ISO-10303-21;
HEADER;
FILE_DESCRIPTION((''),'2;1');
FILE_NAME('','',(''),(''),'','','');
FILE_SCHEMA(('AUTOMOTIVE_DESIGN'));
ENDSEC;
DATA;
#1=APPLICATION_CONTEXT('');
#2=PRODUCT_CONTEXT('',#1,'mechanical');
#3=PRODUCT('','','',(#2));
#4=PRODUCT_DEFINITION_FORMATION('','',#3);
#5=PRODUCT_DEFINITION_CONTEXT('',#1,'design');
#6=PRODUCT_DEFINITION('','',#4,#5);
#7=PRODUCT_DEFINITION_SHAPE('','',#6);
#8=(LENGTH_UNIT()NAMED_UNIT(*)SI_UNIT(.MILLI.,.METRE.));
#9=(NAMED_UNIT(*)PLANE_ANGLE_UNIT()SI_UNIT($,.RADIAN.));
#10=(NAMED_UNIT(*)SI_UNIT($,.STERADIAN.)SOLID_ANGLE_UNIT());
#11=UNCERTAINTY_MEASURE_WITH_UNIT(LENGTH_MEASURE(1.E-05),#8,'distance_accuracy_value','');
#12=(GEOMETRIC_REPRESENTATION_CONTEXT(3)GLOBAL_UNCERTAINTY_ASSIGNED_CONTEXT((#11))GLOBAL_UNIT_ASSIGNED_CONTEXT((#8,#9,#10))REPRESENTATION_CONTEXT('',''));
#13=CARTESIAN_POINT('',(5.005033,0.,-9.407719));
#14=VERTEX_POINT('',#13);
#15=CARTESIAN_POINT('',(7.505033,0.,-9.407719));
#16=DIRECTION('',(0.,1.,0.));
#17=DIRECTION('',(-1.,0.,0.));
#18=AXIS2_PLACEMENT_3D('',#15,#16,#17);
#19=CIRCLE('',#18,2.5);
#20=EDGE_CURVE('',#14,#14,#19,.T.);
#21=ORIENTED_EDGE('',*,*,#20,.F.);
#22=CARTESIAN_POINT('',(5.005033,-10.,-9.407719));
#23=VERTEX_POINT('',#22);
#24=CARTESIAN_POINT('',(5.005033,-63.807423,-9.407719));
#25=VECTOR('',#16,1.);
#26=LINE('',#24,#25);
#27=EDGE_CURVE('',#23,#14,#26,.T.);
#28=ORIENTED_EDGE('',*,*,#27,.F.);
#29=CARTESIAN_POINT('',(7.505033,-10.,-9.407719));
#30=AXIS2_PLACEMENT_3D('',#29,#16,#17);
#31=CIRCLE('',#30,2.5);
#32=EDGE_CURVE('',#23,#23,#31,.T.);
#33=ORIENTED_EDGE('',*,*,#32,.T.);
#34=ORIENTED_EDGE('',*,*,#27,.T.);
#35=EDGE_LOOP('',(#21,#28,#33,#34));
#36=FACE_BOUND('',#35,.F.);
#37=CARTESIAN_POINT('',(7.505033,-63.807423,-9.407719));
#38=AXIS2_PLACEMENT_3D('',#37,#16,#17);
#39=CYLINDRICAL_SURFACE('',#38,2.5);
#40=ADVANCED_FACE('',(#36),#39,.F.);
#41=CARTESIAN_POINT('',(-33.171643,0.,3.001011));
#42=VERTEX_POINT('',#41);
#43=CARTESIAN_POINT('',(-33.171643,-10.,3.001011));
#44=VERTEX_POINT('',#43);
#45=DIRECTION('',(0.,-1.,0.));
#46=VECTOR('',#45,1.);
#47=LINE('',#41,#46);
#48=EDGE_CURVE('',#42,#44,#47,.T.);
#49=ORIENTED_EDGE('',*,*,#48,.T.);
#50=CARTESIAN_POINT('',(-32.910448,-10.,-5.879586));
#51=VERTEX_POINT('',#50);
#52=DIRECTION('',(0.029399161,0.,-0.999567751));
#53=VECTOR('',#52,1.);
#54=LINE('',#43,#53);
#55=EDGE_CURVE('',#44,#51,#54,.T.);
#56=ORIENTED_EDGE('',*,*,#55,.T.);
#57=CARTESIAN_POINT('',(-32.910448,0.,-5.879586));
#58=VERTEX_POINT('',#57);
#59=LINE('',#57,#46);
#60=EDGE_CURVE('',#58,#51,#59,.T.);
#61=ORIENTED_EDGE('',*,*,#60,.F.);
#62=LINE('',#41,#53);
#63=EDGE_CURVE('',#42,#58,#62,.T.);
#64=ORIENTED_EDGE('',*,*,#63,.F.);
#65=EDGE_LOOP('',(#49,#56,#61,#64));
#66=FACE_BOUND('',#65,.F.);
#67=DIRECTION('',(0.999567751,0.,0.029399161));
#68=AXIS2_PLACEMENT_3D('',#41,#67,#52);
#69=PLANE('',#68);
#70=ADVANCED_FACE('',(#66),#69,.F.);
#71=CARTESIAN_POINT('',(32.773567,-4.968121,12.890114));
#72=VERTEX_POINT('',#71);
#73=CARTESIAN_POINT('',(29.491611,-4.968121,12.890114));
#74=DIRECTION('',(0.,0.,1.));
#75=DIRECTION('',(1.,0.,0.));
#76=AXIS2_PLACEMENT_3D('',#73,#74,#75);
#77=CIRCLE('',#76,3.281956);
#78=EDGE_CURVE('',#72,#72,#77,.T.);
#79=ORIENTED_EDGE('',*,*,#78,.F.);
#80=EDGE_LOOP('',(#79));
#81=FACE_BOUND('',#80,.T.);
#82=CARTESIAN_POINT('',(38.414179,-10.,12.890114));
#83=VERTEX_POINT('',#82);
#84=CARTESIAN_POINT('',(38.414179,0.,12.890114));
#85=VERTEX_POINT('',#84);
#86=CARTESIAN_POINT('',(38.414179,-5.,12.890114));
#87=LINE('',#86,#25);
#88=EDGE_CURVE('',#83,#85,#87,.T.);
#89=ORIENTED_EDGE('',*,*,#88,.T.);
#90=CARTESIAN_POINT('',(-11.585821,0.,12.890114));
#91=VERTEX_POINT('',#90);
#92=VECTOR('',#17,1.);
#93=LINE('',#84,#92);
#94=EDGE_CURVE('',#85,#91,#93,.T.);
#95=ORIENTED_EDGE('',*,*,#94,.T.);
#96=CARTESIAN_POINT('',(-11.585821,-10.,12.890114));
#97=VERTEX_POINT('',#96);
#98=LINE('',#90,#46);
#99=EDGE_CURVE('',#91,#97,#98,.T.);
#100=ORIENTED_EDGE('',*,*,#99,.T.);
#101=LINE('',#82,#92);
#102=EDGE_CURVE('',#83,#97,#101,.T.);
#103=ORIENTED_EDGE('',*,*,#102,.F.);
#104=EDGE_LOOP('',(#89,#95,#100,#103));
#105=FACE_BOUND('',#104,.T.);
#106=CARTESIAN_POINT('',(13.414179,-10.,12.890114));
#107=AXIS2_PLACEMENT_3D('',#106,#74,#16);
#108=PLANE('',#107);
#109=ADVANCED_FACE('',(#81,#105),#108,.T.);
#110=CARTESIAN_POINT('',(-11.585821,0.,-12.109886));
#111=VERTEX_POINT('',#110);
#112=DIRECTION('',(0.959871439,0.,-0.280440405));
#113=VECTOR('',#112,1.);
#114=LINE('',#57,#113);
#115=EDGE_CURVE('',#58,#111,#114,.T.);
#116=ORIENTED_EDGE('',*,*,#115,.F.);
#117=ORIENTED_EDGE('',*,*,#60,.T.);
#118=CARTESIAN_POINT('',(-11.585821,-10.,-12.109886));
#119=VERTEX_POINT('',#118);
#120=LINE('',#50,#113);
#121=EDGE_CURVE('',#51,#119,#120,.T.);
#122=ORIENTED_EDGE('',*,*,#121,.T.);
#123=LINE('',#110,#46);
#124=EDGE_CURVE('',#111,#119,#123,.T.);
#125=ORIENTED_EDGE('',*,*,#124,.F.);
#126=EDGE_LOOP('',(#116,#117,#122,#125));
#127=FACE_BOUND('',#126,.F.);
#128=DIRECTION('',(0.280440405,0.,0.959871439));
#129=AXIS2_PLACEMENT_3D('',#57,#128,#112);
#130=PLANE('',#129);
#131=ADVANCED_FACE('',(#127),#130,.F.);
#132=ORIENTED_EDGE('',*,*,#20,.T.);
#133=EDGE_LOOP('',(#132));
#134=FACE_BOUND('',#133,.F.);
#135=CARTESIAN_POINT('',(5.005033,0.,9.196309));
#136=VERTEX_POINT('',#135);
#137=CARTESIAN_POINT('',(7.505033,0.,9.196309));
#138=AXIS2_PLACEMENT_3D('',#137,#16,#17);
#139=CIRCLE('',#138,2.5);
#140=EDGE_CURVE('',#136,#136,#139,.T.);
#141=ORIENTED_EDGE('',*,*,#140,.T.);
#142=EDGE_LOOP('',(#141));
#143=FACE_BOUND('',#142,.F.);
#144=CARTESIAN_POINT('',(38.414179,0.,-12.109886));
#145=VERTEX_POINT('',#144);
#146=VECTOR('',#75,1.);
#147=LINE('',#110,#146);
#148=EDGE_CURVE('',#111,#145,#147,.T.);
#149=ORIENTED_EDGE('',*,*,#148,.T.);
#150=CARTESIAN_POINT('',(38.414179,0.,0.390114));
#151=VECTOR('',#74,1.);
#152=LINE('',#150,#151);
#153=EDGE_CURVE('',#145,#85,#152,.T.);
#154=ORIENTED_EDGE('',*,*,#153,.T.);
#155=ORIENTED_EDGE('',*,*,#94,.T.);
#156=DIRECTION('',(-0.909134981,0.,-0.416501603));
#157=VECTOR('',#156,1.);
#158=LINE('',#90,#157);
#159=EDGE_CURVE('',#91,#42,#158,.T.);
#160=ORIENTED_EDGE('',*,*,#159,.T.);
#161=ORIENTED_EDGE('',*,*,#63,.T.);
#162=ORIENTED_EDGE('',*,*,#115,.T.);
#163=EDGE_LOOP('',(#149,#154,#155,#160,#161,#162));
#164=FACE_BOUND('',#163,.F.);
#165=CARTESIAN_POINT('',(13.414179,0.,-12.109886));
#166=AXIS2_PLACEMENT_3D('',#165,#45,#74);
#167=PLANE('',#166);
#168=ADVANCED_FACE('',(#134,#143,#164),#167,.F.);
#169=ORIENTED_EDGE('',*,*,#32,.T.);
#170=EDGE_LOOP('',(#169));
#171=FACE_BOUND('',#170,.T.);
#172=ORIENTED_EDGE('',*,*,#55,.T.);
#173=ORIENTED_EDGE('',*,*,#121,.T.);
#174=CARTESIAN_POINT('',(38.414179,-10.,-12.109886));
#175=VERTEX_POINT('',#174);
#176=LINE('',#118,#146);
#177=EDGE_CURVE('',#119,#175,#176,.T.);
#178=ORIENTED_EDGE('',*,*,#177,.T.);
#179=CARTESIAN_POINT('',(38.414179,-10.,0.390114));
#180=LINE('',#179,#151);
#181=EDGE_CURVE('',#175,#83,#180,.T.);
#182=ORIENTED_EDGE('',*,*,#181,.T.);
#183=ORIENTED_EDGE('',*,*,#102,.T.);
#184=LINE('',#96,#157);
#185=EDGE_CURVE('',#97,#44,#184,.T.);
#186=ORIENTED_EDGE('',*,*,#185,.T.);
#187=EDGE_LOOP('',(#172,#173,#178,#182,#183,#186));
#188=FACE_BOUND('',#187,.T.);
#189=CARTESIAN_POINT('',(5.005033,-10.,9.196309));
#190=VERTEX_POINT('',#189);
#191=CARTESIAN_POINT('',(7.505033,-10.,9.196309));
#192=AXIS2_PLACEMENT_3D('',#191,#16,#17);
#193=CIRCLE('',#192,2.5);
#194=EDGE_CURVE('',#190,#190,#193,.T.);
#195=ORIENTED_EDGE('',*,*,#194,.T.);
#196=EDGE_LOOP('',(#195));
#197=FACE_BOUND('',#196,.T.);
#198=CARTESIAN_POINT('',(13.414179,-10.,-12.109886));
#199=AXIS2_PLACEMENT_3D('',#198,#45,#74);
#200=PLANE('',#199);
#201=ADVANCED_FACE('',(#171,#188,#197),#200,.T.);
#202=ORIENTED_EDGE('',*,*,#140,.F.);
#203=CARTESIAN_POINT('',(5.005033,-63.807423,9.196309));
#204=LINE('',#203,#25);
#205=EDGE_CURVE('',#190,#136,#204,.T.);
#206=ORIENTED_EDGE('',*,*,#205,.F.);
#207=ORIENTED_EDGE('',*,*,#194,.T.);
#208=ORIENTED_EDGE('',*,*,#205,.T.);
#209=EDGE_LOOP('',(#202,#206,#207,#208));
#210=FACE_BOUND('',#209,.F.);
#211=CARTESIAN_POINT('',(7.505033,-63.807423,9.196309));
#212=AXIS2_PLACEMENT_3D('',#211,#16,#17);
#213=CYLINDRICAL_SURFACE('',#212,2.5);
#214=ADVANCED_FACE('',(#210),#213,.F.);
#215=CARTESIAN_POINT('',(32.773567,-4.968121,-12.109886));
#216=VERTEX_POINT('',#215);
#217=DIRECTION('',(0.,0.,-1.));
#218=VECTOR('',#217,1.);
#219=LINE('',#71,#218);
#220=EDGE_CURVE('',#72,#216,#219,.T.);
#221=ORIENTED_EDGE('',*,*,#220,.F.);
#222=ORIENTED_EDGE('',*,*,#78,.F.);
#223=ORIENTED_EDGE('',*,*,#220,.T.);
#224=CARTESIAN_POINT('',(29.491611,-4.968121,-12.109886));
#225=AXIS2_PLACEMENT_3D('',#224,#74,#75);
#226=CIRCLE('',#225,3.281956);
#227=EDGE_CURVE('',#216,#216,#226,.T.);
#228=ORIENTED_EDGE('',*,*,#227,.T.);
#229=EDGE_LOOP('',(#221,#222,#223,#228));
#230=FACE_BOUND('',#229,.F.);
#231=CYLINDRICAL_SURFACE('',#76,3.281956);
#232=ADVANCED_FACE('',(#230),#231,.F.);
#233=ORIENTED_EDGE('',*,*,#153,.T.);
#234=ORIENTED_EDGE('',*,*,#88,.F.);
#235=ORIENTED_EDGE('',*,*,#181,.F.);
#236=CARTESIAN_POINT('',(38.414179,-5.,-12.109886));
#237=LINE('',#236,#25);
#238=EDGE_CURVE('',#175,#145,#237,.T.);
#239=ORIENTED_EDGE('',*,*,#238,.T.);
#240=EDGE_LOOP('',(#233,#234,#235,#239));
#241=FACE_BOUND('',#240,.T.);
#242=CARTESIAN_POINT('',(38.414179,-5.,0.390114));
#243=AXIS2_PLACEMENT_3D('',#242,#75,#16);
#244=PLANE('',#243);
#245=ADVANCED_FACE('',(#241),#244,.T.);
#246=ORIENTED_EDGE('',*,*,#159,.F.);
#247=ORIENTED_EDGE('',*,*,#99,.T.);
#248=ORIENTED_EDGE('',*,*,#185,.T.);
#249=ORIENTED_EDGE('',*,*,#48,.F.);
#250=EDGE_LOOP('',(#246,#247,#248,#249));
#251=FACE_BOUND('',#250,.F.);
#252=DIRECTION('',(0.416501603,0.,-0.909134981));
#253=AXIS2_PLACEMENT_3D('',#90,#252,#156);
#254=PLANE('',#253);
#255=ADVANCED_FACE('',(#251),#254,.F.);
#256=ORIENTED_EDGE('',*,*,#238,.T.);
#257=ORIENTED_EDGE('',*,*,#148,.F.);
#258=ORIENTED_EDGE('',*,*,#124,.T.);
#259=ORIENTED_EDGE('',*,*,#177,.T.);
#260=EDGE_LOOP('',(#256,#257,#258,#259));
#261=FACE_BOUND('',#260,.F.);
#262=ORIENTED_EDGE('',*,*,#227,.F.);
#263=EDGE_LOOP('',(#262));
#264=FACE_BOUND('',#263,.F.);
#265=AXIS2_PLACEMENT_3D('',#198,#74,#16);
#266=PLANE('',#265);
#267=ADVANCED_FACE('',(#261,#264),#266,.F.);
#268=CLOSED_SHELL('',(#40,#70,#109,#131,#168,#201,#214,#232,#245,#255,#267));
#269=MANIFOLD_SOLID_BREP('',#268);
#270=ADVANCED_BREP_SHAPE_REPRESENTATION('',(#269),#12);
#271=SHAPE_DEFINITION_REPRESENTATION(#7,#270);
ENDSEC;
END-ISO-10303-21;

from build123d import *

# Parameters (mm, degrees)
F0_W     = 25
F0_H     = 25
F1_DEPTH = 10
F3_D     = 5
F4_W     = 10
F4_H     = 25
F5_DEPTH = 25
F6_R     = 3.281956
F7_DEPTH = 25


with BuildPart() as f1:
    # F0 (on Front) → F1 (new body)
    with BuildSketch(Plane.XZ):
        Polygon((-11.585821, -12.109886), (-11.585821, 12.890114), (-33.171643, 3.001011), (-32.910448, -5.879586), align=None)
        with Locations((0.914179, 0.390114)):
            Rectangle(F0_W, F0_H)
    extrude(amount=F1_DEPTH)

    # F3 (through all)
    with Locations(Plane.XZ.offset(10)):
        with Locations((7.505033, 9.196309), (7.505033, -9.407719)):
            Hole(F3_D / 2)

    # F4 (on face) → F5 (join)
    with BuildSketch(Plane.YZ.offset(13.414179)):
        with Locations((-5, 0.390114)):
            Rectangle(F4_W, F4_H)
    extrude(amount=F5_DEPTH)

    # F6 (on face) → F7 (cut)
    with BuildSketch(Plane.XY.offset(12.890114)):
        with Locations((29.491611, -4.968121)):
            Circle(F6_R)
    extrude(amount=-F7_DEPTH, mode=Mode.SUBTRACT)


solid = f1.part
